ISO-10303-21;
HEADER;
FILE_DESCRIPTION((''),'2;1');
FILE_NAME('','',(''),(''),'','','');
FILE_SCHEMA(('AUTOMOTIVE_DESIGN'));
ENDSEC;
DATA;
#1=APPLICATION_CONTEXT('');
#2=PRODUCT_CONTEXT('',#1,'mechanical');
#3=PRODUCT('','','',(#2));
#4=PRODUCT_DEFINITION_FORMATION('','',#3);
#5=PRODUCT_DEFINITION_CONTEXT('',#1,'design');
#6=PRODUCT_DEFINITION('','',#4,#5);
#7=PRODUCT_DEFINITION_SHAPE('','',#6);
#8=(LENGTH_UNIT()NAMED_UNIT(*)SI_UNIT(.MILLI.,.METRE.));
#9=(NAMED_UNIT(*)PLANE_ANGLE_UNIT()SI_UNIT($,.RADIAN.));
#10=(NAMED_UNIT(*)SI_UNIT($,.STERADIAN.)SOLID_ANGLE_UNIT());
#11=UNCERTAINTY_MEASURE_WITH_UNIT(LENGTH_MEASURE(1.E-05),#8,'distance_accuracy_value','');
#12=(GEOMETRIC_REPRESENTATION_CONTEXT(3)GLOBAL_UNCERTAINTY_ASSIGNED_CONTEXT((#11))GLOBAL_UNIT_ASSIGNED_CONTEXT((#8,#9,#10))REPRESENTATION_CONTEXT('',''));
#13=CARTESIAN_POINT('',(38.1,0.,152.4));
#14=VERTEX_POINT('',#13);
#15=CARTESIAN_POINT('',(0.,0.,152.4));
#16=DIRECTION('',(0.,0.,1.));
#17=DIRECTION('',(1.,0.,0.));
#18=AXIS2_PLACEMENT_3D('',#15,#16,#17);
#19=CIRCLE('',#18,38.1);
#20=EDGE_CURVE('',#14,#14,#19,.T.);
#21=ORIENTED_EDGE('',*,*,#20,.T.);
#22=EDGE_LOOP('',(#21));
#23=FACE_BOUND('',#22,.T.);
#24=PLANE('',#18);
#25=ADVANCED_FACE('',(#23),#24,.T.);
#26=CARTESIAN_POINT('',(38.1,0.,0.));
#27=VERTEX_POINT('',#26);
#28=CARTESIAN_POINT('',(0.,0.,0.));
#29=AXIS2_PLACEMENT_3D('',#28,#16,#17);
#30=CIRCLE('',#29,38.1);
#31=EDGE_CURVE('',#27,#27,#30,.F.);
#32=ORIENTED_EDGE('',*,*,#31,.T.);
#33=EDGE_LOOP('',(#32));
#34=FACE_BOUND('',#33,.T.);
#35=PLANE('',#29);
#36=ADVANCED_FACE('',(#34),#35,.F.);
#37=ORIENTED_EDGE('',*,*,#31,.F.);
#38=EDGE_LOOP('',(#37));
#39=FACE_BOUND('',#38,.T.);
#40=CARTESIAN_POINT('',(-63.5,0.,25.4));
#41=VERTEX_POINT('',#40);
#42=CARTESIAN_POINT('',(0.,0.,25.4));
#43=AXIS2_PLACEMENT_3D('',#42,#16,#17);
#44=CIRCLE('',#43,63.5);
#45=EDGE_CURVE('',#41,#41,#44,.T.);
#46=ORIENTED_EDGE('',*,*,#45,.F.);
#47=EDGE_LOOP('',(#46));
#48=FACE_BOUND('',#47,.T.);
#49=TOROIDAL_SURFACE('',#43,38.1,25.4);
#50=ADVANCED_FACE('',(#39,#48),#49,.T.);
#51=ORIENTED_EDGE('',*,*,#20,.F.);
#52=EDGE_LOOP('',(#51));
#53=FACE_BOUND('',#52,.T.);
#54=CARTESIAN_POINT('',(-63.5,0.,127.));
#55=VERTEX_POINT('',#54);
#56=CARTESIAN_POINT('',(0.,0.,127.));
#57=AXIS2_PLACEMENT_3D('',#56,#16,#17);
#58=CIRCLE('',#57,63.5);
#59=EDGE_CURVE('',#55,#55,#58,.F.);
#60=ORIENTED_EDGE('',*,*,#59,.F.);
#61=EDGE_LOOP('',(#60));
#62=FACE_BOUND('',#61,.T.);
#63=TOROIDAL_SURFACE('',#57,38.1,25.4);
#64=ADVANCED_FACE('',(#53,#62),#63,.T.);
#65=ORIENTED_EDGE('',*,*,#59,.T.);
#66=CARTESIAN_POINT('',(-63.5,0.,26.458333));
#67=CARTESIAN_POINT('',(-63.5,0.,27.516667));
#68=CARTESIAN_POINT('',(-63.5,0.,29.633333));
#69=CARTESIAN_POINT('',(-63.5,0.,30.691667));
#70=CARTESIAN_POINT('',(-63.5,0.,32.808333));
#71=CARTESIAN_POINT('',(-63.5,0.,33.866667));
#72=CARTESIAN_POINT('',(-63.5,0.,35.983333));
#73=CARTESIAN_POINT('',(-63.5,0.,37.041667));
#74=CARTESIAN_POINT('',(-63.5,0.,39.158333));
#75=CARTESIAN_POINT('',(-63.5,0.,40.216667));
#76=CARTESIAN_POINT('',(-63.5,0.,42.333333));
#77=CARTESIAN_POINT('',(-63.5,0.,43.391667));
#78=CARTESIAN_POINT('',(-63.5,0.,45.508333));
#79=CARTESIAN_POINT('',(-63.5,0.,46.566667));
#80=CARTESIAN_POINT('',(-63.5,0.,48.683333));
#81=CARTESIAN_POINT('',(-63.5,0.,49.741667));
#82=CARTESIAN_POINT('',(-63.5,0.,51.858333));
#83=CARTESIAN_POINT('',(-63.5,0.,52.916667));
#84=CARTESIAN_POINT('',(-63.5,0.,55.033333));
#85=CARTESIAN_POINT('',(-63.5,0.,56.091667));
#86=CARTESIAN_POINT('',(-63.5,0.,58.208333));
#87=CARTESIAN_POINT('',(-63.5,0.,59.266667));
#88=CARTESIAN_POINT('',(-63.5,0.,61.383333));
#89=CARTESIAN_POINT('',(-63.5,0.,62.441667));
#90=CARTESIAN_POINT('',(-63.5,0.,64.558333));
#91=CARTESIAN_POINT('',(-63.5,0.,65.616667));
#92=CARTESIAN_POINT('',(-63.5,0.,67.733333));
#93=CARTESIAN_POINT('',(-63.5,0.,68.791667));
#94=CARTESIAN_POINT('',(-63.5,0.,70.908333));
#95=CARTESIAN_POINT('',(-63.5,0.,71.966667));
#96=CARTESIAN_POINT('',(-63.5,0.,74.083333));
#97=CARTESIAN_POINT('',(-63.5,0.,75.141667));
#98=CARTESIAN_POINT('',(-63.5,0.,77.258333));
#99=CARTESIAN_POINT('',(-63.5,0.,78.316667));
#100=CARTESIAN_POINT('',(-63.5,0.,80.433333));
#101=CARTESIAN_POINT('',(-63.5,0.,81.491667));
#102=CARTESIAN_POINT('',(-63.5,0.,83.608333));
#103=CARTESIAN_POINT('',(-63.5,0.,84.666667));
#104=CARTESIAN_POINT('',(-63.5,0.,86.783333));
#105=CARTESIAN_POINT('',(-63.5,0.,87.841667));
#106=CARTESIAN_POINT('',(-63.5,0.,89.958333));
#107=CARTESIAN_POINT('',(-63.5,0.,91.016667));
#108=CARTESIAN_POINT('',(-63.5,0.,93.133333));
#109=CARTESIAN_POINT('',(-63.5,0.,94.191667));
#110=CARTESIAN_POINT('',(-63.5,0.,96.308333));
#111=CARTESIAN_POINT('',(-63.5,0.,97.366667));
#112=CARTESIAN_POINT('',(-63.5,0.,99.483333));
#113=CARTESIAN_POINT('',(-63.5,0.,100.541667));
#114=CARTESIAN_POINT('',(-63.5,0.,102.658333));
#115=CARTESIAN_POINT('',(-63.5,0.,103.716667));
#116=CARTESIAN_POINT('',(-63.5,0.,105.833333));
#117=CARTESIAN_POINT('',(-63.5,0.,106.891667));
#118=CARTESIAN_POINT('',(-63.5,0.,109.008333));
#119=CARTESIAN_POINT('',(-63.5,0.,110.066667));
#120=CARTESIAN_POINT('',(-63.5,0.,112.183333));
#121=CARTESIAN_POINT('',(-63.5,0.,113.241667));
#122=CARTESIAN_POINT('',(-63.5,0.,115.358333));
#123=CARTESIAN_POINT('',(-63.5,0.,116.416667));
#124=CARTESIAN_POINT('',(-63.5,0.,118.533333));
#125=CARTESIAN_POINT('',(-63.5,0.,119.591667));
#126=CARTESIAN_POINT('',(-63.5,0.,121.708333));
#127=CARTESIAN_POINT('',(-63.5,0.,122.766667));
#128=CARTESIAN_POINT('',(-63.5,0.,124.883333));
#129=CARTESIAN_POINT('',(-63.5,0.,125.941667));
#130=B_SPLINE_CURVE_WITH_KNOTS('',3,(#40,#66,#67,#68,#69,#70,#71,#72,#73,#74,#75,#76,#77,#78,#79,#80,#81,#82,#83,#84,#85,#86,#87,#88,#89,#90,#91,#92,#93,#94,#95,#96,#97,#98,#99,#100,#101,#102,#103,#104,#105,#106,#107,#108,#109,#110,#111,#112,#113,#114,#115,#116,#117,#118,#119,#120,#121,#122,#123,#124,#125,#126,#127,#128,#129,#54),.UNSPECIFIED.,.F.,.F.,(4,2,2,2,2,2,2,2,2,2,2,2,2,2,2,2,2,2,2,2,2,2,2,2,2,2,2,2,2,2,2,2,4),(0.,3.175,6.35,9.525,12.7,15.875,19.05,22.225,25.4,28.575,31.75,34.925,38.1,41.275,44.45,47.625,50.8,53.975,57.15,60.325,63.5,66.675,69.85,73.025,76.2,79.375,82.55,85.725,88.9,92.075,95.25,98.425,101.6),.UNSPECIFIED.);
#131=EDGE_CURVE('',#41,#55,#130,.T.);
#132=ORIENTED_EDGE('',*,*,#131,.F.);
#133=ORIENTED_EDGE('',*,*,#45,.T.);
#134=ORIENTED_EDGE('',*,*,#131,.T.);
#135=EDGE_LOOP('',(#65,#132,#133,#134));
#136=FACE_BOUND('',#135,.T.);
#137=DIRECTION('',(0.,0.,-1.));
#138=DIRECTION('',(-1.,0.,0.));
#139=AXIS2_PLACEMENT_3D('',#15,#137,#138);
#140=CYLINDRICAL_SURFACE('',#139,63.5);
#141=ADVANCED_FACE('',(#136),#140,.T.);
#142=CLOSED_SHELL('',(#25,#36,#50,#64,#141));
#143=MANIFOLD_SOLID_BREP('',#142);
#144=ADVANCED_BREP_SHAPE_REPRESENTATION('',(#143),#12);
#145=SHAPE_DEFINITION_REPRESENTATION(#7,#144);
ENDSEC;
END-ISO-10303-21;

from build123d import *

# Parameters (mm, degrees)
ESQUISSE1_R        = 63.5
BOSS_EXTRU_1_DEPTH = 152.4
CONG_1_R           = 25.4


with BuildPart() as part:
    # Esquisse1 → Boss.-Extru.1 (new body)
    with BuildSketch(Plane.XY):
        with Locations(Location((0, 0, 0), (0, 0, 180))):
            Circle(ESQUISSE1_R)
    extrude(amount=BOSS_EXTRU_1_DEPTH)

    # Congé1
    cong_1_edges = [part.edges().sort_by_distance(p)[0] for p in [
        (63.5, 0, 0),
        (63.5, 0, 152.4),
    ]]
    fillet(cong_1_edges, radius=CONG_1_R)


solid = part.part
